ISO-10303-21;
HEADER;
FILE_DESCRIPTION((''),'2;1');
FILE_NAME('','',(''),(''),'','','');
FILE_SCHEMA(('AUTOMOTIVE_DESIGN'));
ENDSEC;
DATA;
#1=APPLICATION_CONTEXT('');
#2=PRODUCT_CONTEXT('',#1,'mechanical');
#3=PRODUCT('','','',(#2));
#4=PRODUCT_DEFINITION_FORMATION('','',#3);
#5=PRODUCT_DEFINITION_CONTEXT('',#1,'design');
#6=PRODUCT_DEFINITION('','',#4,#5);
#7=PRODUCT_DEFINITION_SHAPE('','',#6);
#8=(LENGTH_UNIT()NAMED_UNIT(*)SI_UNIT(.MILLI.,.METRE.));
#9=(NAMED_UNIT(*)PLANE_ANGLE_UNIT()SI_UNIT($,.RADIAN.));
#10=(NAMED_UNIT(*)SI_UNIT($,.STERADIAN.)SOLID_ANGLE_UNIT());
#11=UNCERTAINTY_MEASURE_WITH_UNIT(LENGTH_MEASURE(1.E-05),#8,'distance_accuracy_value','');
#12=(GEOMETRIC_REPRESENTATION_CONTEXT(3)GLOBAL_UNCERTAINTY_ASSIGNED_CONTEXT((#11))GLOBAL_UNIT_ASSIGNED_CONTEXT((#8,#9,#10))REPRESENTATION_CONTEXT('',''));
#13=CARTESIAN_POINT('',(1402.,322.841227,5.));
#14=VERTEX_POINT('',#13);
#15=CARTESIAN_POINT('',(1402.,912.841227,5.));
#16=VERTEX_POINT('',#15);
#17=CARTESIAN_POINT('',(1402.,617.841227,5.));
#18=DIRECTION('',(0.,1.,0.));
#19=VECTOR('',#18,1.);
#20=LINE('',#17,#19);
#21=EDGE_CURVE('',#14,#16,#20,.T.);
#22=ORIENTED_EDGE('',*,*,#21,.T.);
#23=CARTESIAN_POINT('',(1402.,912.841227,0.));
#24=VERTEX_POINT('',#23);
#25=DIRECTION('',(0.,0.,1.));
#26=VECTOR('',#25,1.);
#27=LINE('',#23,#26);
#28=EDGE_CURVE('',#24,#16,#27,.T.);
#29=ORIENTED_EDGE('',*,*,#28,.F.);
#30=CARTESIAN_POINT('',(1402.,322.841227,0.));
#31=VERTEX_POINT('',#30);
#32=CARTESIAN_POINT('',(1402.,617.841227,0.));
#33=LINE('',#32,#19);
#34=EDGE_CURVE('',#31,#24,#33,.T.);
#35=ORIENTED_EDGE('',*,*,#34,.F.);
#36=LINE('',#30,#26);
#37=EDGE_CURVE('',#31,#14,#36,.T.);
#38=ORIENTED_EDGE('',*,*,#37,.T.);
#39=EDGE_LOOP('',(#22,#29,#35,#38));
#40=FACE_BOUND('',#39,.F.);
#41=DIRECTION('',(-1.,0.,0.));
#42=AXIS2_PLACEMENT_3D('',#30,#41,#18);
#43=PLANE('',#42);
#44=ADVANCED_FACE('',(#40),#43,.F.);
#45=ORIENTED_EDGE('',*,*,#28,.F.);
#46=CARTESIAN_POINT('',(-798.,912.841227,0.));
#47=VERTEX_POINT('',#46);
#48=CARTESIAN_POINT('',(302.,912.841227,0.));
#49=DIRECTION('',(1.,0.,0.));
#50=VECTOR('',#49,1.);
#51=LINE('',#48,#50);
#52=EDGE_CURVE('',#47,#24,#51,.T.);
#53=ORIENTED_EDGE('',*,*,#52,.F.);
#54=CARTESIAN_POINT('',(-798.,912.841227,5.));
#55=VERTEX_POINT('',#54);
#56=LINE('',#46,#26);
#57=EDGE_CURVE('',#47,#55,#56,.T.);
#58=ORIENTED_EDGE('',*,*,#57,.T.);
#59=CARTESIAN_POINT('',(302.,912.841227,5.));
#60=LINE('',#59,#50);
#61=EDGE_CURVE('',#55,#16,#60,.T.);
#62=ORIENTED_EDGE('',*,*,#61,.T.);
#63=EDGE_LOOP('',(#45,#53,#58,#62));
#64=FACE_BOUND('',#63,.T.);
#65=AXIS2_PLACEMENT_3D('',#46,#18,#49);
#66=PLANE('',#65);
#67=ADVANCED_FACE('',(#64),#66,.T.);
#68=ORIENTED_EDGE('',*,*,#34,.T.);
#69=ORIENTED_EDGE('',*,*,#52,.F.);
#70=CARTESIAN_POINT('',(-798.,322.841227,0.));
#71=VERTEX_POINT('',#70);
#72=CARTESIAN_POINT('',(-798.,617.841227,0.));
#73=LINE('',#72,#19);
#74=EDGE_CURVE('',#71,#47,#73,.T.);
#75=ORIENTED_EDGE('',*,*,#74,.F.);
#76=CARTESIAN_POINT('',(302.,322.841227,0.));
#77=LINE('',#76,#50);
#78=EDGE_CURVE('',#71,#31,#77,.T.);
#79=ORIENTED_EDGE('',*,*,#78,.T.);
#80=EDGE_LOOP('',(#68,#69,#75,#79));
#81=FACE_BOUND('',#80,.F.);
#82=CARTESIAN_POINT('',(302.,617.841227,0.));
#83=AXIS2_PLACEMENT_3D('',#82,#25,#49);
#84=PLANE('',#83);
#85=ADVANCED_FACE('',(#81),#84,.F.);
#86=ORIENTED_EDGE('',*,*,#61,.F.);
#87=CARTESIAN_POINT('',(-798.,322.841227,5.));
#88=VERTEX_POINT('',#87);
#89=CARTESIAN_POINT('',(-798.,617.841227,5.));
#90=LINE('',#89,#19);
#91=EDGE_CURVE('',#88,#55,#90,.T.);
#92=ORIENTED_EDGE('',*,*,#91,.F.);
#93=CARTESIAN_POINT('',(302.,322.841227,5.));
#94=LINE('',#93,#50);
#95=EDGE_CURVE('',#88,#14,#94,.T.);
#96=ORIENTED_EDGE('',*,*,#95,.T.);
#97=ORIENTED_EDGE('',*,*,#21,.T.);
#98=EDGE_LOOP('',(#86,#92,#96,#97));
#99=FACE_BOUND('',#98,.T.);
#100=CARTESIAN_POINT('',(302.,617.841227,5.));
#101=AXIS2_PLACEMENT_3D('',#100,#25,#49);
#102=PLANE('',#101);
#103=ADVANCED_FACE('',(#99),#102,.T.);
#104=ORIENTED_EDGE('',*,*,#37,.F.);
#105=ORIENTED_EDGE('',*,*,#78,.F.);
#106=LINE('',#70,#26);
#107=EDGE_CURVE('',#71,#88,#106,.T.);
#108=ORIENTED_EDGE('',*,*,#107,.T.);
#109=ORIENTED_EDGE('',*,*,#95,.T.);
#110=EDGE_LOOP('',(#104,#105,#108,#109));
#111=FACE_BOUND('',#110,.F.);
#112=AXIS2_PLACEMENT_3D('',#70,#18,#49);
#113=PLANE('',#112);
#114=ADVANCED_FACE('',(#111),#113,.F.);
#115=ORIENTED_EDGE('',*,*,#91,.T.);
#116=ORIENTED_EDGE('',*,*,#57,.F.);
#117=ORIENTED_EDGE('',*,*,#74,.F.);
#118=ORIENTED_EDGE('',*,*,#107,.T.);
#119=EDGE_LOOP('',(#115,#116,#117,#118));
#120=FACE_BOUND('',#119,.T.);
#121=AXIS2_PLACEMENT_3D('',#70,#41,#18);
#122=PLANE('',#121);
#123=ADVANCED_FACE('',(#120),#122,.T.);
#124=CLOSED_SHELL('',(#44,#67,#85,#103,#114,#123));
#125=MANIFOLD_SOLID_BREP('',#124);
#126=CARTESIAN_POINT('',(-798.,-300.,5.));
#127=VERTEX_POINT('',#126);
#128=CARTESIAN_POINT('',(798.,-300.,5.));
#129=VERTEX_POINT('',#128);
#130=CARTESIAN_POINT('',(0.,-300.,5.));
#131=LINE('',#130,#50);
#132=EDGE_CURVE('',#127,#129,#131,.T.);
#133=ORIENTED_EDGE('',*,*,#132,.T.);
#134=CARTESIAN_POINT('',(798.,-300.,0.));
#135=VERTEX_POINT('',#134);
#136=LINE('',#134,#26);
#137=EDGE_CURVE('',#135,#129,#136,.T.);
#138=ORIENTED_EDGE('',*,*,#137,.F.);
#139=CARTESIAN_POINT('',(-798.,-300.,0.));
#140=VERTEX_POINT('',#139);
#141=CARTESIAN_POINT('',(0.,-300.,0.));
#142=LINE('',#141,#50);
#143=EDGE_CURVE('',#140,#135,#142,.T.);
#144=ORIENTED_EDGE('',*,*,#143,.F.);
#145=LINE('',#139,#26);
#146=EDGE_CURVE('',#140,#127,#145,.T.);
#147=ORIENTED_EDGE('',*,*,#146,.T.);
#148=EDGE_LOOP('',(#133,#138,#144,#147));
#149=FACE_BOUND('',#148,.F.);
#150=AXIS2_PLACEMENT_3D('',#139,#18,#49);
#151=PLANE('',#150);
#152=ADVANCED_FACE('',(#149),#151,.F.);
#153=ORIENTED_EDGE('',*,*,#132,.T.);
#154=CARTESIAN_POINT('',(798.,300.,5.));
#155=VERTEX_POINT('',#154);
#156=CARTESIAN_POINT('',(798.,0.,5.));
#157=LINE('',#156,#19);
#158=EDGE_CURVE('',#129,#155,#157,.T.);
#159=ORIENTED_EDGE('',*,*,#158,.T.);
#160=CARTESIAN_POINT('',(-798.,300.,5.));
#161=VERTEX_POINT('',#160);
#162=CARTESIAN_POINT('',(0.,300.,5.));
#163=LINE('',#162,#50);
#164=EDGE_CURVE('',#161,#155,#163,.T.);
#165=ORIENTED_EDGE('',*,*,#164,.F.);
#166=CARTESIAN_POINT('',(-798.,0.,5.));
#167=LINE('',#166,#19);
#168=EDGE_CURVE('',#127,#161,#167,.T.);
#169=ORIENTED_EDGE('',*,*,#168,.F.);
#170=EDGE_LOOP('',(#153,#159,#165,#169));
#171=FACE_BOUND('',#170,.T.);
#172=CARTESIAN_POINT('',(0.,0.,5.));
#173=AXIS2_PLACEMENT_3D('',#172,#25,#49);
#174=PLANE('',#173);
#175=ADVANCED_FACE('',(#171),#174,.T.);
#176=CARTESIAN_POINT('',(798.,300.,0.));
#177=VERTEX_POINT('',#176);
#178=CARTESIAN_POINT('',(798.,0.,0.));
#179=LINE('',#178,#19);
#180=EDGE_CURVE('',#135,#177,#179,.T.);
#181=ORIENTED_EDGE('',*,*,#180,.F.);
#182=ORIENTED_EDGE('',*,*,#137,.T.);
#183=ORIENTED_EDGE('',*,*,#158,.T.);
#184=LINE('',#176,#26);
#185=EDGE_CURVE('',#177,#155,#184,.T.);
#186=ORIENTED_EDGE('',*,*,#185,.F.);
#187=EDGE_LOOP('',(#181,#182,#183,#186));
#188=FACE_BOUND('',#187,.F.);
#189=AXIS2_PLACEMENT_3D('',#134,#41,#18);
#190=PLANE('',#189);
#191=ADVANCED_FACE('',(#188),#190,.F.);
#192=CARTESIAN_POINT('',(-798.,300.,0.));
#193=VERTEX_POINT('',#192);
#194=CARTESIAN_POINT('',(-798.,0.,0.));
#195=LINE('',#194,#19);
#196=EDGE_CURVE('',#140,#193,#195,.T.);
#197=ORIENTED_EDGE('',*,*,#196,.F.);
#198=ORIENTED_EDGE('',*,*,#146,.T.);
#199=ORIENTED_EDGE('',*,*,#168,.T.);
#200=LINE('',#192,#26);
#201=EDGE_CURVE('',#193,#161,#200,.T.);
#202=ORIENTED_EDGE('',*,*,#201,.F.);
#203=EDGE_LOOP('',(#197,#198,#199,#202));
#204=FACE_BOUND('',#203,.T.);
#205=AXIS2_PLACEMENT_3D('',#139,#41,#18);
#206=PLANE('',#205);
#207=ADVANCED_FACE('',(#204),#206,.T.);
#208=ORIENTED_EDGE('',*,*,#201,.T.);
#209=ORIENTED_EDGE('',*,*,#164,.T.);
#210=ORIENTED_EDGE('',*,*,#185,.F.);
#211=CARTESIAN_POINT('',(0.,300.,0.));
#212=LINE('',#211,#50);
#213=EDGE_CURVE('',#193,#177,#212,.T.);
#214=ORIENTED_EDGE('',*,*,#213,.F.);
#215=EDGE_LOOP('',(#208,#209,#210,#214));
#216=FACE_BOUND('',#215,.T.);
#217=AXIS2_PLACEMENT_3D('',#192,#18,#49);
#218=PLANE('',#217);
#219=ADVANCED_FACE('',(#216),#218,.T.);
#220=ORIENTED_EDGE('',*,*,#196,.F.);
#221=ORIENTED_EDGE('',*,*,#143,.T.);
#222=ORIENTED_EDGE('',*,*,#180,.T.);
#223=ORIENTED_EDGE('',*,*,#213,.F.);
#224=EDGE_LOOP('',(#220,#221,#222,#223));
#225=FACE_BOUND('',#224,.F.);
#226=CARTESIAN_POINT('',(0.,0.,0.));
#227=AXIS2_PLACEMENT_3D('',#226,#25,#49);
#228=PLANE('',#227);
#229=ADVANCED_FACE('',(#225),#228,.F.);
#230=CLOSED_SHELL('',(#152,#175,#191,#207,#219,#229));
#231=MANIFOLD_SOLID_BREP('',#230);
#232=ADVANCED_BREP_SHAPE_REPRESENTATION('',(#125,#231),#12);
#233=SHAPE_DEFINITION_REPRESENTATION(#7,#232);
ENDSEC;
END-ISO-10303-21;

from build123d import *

# Parameters (mm, degrees)
F0_W     = 1596
F0_H     = 600
F0_W_2   = 2200
F0_H_2   = 590
F1_DEPTH = 5


with BuildPart() as f1:
    # F0 (on Top) → F1 (new body)
    with BuildSketch(Plane.XY):
        Rectangle(F0_W, F0_H)
        with Locations((302, 617.841227)):
            Rectangle(F0_W_2, F0_H_2)
    extrude(amount=F1_DEPTH)


solid = f1.part
